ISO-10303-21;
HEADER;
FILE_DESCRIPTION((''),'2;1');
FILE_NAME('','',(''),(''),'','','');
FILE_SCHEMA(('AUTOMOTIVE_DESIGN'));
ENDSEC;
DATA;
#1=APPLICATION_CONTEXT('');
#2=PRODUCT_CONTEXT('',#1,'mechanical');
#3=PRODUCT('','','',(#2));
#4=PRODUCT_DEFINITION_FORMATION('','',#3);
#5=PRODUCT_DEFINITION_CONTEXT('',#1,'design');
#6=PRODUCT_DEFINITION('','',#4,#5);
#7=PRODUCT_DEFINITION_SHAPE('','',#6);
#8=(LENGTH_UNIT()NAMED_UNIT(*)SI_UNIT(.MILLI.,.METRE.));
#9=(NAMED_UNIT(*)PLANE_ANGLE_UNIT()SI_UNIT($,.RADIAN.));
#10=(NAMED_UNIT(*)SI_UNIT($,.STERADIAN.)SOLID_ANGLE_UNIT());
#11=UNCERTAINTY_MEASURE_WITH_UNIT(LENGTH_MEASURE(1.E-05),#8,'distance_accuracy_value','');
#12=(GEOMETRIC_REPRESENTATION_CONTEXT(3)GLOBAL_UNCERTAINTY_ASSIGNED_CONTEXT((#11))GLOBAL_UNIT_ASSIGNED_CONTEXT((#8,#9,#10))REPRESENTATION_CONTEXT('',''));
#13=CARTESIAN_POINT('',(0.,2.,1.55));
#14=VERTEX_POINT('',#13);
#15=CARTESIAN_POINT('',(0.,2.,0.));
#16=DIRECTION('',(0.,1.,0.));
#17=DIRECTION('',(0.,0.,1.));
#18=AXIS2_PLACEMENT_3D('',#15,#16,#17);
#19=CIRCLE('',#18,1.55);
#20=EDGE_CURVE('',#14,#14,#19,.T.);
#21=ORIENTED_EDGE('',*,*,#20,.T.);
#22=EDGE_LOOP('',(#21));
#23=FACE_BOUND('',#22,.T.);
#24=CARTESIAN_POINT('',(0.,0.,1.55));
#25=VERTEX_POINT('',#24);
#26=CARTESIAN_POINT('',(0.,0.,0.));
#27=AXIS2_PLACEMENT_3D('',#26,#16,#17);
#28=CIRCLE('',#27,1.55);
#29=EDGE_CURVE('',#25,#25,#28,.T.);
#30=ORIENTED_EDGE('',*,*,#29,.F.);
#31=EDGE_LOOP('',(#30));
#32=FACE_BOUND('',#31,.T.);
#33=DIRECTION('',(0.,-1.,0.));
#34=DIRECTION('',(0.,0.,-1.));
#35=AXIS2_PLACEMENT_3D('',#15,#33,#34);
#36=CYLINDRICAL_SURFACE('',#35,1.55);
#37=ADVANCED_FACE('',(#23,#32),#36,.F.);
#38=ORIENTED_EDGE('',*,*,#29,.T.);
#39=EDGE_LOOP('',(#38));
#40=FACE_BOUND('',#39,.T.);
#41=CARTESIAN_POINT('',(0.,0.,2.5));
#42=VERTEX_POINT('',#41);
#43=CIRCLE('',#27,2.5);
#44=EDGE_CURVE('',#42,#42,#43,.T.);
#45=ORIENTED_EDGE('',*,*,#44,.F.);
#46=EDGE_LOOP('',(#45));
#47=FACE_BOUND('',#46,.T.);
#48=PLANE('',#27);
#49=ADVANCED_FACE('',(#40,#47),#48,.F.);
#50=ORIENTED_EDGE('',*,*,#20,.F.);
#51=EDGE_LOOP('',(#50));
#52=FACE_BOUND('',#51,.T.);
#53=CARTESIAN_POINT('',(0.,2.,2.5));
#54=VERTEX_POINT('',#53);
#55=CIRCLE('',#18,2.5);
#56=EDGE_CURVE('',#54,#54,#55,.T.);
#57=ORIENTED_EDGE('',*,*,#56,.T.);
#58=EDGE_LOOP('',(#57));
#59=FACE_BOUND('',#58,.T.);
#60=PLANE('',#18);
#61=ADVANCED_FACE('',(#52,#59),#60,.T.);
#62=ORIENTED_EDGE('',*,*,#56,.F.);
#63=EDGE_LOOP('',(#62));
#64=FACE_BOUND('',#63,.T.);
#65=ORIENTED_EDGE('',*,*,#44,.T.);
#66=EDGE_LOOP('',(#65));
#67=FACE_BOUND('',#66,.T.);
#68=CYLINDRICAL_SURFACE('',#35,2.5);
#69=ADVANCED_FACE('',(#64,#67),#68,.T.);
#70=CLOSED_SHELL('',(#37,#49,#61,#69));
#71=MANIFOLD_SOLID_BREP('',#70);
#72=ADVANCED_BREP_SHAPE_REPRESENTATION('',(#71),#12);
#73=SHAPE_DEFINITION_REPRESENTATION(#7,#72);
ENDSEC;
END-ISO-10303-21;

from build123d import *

# Parameters (mm, degrees)
SKETCH_1_R      = 2.5
SKETCH_1_R_2    = 1.55
EXTRUDE_1_DEPTH = 2


with BuildPart() as part:
    # 草图1 → 凸台-拉伸1 (new body)
    with BuildSketch(Plane(origin=(0, 0, 0), x_dir=(1, 0, 0), z_dir=(0, 1, 0))):
        Circle(SKETCH_1_R)
        Circle(SKETCH_1_R_2, mode=Mode.SUBTRACT)
    extrude(amount=EXTRUDE_1_DEPTH)


solid = part.part
